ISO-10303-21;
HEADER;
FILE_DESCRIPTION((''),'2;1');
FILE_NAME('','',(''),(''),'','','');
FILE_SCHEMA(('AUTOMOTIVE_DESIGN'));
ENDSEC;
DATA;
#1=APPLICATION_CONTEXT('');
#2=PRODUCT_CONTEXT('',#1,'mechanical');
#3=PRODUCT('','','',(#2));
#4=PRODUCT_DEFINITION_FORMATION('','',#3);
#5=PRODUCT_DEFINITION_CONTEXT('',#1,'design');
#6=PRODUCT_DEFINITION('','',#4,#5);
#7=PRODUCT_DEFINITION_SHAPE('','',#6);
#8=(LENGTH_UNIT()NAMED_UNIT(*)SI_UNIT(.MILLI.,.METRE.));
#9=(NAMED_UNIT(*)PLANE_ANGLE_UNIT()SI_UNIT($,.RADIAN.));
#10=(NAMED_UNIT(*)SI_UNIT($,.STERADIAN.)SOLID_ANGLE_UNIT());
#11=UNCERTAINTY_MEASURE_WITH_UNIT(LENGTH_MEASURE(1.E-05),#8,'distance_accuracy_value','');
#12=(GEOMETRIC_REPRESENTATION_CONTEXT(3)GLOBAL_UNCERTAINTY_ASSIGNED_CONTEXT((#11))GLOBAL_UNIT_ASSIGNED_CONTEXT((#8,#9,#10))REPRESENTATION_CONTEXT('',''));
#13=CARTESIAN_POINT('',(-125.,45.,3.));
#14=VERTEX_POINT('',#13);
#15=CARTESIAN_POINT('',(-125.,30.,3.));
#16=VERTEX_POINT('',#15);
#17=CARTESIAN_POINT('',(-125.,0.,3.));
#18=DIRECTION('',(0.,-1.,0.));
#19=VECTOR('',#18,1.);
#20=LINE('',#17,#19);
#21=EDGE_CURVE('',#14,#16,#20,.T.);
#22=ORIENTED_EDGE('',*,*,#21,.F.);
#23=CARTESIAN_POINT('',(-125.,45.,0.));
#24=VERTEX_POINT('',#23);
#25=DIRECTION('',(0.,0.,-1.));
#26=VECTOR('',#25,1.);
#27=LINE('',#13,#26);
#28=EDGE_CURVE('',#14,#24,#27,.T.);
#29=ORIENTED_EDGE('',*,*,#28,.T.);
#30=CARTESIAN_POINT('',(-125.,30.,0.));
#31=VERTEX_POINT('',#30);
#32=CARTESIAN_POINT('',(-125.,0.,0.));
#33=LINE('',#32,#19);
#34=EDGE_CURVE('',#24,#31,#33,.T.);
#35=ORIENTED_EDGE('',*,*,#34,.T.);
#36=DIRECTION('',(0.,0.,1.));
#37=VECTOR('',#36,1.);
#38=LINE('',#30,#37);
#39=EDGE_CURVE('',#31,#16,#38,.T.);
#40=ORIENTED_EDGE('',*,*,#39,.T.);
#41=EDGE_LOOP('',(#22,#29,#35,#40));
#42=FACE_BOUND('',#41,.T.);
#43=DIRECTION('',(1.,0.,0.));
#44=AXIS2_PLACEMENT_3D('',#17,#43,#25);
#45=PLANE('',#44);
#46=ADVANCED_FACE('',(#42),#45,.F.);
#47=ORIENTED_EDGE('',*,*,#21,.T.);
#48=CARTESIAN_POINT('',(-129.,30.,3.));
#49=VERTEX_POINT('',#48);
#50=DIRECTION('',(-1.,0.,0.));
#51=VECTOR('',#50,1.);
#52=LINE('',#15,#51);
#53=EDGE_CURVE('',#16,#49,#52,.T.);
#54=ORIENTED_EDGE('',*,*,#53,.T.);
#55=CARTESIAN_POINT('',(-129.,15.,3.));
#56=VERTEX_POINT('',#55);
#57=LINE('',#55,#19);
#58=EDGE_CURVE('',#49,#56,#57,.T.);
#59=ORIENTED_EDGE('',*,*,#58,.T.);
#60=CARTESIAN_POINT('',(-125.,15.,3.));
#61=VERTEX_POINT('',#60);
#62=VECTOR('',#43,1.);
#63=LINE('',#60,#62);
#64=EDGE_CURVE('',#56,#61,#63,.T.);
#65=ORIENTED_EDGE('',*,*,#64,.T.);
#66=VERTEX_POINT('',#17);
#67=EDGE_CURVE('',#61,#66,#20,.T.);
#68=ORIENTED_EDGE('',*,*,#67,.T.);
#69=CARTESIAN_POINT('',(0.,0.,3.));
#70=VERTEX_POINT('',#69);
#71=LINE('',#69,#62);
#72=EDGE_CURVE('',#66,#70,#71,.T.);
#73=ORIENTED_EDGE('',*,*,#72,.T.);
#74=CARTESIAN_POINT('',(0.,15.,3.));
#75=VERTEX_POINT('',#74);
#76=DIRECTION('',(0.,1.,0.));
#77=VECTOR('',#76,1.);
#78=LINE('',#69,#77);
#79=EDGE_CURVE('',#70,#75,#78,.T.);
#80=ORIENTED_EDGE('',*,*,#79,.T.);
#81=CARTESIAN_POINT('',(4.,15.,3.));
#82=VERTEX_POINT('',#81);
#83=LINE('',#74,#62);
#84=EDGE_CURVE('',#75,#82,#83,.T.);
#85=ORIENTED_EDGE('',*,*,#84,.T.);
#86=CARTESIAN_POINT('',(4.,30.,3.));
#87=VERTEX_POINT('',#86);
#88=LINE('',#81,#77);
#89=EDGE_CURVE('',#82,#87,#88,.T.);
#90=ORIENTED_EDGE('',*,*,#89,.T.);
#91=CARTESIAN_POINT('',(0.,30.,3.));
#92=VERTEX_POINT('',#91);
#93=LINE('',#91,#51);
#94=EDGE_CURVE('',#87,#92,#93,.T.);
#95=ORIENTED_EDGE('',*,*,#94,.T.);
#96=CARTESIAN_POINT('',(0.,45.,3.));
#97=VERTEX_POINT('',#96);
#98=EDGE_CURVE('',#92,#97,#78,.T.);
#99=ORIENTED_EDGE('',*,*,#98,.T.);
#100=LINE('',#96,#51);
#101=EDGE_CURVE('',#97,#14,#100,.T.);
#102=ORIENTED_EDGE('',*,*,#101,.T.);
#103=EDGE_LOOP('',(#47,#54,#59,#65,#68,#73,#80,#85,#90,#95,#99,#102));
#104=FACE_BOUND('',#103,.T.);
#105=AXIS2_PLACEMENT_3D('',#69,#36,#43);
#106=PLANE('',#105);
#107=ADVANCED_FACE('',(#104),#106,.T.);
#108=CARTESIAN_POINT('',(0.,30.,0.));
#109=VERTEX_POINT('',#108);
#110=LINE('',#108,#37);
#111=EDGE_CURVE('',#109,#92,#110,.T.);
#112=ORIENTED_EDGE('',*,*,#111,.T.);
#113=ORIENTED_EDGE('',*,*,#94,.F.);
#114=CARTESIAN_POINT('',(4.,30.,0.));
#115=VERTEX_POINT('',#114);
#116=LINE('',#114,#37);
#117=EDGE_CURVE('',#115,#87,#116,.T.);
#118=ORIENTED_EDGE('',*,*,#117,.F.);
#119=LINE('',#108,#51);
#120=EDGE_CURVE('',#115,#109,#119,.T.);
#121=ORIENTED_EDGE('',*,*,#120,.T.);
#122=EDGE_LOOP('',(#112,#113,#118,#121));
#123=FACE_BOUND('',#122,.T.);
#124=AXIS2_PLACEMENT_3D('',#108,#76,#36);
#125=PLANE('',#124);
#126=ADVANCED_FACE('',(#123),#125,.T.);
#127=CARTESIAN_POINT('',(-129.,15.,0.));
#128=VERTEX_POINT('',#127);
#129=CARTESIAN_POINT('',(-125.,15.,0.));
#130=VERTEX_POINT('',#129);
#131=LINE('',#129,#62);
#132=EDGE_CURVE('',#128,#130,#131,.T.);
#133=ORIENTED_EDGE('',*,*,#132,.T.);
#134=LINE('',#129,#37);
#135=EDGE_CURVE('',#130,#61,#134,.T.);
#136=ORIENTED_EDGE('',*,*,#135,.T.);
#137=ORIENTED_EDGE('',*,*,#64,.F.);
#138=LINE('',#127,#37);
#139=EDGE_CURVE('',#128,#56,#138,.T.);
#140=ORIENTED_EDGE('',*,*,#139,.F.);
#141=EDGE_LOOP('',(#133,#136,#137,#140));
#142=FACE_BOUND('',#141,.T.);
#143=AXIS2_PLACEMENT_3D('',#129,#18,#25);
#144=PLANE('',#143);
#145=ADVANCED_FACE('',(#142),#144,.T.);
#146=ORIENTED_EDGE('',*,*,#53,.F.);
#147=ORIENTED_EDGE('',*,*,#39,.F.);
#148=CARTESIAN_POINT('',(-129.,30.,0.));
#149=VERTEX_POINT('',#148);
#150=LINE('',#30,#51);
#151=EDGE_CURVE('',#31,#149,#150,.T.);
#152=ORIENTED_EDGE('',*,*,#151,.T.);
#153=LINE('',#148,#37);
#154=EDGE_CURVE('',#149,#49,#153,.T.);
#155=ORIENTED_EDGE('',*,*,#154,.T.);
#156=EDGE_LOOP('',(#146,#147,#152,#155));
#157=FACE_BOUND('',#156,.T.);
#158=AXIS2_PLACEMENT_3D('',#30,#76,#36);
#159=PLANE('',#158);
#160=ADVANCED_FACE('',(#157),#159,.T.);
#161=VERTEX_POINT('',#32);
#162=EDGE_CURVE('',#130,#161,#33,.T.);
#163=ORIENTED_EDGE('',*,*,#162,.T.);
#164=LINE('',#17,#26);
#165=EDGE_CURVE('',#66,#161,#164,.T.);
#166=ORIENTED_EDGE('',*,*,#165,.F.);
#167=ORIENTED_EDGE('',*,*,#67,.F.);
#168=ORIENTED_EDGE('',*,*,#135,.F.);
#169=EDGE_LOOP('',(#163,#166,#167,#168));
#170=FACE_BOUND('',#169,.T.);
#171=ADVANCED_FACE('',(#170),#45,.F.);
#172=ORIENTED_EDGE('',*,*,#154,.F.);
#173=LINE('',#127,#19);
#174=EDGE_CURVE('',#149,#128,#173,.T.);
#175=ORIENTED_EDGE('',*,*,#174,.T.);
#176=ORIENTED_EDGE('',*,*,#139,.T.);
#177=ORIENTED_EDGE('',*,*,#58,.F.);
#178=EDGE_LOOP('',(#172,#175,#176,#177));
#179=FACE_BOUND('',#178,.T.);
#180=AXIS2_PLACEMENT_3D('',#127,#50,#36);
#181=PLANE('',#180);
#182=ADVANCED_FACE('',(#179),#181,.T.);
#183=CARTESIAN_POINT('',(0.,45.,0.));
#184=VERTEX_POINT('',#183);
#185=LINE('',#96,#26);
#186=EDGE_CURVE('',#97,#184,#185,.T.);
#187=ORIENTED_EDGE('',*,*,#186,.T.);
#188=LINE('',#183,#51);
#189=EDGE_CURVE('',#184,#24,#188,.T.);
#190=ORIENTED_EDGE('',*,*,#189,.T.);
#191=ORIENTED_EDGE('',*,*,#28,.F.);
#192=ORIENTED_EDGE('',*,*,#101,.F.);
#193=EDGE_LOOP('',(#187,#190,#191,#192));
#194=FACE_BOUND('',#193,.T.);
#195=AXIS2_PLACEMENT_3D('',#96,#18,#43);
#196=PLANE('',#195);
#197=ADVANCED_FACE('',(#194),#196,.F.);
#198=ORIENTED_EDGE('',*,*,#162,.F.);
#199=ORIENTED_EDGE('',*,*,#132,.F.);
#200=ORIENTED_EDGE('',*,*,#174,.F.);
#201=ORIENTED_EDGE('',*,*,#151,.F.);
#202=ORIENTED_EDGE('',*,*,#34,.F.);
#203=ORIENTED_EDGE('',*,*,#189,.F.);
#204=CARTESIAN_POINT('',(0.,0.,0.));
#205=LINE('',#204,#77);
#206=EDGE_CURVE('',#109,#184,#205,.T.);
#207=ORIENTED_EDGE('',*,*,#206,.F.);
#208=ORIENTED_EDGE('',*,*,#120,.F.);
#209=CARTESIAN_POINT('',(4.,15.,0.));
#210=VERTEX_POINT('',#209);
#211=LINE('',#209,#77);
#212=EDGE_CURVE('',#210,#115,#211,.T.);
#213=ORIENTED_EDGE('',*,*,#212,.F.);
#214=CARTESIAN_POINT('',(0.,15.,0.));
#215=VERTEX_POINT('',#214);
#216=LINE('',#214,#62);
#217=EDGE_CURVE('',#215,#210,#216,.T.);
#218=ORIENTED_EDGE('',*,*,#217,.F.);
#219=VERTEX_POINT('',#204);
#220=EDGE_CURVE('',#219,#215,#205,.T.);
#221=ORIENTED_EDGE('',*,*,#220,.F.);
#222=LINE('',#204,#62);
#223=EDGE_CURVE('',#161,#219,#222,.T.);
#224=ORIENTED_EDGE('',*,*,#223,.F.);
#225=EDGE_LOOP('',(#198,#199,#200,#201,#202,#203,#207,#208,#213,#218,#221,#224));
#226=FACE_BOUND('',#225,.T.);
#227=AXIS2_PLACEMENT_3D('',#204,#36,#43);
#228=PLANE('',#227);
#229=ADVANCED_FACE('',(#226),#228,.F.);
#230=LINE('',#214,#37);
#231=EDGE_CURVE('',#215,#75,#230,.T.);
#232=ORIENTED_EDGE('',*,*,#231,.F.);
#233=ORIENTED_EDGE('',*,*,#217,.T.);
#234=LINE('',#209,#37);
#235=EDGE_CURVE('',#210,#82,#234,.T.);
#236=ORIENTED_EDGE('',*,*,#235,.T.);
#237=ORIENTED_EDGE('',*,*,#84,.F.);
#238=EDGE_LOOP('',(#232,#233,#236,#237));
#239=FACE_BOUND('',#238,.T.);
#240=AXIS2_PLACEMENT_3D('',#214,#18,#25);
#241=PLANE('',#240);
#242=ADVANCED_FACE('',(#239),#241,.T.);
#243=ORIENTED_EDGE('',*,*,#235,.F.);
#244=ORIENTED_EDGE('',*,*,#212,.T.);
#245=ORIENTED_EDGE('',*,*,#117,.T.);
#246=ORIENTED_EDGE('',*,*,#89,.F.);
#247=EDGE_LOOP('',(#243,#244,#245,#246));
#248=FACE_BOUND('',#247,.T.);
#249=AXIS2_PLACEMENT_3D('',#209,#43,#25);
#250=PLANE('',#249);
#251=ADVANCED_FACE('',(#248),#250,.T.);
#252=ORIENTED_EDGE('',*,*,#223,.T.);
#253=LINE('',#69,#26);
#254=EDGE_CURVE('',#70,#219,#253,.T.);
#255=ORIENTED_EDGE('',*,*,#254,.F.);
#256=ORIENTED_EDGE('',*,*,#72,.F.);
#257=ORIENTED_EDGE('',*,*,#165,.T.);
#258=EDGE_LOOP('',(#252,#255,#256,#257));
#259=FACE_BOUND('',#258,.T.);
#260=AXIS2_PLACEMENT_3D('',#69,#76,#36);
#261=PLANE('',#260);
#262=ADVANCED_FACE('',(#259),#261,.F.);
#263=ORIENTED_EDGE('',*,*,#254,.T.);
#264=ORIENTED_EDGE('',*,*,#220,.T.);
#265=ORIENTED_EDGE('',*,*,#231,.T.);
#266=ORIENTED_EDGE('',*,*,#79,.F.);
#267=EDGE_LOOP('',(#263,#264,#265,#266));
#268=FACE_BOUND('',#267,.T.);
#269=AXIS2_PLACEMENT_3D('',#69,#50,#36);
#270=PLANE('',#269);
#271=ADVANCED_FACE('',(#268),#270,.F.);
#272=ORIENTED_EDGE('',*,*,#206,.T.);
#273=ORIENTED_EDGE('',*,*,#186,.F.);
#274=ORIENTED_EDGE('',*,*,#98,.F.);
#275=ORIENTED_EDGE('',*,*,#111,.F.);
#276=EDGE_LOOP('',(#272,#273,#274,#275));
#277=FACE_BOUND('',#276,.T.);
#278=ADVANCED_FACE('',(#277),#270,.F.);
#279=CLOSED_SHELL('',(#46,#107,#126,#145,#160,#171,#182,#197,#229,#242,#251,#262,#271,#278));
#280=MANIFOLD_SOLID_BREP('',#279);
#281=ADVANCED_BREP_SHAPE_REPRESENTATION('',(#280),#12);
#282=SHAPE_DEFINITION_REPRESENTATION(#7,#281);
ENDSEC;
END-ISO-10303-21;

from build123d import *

# Parameters (mm, degrees)
SKETCH1_W           = 125
SKETCH1_H           = 45
BOSS_EXTRUDE1_DEPTH = 3
SKETCH2_W           = 4
SKETCH2_H           = 15
BOSS_EXTRUDE2_DEPTH = 3


with BuildPart() as part:
    # Sketch1 → Boss-Extrude1 (new body)
    with BuildSketch(Plane.XY):
        with Locations((-62.5, 22.5)):
            Rectangle(SKETCH1_W, SKETCH1_H)
    extrude(amount=BOSS_EXTRUDE1_DEPTH)

    # Sketch2 → Boss-Extrude2 (add)
    with BuildSketch(Plane.XY.offset(3)):
        with Locations((2, 22.5)):
            Rectangle(SKETCH2_W, SKETCH2_H)
        with Locations((-127, 22.5)):
            Rectangle(SKETCH2_W, SKETCH2_H)
    extrude(amount=-BOSS_EXTRUDE2_DEPTH)


solid = part.part
